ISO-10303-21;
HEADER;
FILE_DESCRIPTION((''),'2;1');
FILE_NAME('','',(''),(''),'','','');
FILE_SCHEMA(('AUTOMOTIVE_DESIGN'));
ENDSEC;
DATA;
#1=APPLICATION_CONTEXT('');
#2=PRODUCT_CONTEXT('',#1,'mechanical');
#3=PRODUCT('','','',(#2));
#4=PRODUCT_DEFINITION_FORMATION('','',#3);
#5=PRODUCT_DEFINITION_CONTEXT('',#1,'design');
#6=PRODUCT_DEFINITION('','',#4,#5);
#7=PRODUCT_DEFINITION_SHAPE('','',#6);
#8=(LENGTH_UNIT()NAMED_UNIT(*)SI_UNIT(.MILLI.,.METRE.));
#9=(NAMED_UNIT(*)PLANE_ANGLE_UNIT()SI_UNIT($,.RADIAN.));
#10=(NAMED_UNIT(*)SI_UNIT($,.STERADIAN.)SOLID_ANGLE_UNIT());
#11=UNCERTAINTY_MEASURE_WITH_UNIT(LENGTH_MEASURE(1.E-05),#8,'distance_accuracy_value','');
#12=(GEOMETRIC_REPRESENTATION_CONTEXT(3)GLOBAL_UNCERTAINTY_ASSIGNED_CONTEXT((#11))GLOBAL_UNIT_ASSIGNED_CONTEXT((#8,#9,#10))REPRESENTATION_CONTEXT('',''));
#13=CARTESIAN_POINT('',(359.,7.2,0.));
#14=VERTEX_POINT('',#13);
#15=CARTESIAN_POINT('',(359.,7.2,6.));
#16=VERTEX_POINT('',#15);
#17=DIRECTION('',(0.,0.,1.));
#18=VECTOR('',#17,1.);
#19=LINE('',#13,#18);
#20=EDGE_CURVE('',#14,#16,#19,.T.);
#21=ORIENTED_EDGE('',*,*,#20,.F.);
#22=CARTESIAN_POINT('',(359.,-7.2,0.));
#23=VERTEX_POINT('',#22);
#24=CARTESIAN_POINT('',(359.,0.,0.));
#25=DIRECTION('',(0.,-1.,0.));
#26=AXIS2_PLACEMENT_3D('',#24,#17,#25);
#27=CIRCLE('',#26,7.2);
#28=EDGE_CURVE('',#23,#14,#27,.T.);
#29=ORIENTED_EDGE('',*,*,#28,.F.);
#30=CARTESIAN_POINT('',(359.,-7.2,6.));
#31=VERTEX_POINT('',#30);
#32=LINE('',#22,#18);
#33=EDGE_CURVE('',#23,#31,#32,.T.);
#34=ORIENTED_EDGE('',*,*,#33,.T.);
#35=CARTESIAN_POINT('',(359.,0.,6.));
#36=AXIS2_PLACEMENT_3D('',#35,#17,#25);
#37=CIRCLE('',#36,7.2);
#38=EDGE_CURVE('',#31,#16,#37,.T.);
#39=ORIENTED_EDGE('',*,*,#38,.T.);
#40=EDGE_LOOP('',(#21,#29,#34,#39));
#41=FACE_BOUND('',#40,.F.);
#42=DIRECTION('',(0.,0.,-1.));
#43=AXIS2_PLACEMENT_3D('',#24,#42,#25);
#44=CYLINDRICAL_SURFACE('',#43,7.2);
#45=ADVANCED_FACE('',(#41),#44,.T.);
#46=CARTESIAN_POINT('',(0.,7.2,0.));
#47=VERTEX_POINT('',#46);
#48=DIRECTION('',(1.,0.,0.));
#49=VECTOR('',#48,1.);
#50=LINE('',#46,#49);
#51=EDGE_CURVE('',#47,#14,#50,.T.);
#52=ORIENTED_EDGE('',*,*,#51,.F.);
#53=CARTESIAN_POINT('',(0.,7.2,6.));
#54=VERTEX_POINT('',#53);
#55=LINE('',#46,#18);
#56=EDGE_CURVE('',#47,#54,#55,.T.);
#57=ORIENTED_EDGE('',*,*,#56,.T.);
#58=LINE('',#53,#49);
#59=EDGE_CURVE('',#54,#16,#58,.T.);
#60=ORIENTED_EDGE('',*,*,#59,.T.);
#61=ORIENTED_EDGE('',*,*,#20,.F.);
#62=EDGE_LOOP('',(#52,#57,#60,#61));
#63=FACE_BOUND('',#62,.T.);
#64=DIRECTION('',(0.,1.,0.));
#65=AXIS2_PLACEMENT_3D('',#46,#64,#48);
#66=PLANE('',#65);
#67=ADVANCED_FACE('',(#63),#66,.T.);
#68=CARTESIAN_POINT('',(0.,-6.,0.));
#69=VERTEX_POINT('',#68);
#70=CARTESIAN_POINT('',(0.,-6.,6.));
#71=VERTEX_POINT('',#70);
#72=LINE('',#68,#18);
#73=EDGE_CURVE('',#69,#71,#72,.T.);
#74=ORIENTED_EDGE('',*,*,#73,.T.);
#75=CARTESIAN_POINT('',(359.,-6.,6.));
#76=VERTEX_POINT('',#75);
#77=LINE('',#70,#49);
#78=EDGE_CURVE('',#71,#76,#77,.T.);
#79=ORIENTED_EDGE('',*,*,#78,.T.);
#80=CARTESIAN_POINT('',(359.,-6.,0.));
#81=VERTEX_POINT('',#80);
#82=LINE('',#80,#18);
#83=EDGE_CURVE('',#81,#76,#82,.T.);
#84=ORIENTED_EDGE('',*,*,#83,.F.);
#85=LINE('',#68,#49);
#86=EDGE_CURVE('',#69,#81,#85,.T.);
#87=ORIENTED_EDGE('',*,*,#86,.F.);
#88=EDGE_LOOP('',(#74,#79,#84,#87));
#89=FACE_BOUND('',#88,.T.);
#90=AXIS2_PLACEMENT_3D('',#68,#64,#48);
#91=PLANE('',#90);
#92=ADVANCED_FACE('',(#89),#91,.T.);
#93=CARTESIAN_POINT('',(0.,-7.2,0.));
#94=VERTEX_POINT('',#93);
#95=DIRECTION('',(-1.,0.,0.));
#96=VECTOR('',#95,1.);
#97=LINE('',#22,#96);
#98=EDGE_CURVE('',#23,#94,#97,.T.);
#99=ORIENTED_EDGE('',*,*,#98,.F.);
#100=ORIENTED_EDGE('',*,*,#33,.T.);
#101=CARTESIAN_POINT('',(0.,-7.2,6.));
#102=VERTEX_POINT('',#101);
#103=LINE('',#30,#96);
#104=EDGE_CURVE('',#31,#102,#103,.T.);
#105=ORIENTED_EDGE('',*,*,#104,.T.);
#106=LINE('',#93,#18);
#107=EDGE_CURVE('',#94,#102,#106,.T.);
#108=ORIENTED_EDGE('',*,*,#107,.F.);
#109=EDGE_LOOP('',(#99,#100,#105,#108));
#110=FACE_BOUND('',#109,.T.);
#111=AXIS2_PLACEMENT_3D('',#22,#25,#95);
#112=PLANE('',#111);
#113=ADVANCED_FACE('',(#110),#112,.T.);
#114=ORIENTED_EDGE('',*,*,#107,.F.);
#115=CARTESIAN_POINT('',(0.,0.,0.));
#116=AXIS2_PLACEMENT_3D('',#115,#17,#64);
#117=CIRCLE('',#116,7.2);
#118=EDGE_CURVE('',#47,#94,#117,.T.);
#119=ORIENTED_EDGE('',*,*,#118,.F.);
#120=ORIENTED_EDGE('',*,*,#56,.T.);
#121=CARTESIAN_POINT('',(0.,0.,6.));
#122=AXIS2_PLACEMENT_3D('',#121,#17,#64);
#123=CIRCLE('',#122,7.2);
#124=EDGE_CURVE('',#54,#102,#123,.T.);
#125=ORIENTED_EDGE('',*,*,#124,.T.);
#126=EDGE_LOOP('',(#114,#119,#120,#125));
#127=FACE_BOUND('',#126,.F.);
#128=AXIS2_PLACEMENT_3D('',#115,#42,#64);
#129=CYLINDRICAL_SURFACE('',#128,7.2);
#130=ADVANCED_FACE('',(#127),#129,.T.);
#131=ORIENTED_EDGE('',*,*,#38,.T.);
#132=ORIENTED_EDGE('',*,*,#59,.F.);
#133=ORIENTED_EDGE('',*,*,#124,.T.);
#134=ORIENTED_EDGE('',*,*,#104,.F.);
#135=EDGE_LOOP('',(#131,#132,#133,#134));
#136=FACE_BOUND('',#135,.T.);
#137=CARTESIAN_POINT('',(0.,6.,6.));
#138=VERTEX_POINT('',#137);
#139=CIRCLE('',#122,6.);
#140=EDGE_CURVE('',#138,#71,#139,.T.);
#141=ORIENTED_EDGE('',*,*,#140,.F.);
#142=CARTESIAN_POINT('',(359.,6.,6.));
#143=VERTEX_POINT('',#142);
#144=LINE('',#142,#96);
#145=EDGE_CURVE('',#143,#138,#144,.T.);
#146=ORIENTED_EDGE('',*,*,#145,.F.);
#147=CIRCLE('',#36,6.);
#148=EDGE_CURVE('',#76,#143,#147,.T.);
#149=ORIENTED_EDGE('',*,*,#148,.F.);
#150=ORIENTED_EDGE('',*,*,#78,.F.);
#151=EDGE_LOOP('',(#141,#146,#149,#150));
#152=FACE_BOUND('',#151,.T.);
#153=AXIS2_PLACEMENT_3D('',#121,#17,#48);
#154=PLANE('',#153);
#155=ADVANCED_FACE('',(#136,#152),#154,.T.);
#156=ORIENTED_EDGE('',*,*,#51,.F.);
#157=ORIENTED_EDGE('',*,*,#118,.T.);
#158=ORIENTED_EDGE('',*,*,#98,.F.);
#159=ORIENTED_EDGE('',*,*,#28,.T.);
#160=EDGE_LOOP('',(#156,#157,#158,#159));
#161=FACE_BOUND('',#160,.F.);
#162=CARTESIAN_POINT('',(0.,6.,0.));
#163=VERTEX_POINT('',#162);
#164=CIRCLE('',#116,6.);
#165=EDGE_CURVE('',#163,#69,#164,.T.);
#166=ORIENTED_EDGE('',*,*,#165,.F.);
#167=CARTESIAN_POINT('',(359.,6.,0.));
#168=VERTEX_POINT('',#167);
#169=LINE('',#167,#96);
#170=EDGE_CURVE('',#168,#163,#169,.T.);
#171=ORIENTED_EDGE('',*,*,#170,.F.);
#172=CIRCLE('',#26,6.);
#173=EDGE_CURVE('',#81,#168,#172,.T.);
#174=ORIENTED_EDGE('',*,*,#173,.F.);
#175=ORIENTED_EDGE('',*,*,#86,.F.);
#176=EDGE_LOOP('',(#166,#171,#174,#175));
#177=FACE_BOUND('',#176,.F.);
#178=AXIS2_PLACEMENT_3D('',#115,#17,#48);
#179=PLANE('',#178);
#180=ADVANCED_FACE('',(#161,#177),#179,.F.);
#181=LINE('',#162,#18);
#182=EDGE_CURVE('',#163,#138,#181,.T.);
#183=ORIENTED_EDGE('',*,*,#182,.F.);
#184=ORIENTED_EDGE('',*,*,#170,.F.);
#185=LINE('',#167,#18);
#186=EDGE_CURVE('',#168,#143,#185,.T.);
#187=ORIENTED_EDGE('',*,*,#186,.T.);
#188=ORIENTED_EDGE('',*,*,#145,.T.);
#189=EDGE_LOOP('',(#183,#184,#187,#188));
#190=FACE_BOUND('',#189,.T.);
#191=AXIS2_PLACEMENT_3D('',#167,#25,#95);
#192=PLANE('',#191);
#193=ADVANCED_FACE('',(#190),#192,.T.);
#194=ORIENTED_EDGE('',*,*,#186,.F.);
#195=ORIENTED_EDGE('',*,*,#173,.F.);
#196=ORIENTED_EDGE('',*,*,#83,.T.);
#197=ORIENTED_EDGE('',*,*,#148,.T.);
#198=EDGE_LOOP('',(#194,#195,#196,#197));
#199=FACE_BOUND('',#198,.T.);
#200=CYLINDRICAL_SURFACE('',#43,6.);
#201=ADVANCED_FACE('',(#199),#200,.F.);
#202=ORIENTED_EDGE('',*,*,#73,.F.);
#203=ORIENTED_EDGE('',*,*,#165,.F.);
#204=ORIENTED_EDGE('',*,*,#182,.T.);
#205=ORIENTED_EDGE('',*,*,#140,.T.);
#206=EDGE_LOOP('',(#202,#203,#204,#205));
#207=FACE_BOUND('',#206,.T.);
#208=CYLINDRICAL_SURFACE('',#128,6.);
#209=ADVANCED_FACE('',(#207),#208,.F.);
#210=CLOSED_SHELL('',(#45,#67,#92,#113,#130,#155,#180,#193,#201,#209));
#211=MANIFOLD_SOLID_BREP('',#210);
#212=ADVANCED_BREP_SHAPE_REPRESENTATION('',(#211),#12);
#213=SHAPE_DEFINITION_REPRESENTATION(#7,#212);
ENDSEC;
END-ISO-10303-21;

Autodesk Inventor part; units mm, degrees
ref_plane "YZ Plane" through (0, 0, 0) normal (1, 0, 0) x (0, 1, 0)
ref_plane "XZ Plane" through (0, 0, 0) normal (0, 1, 0) x (-1, 0, 0)
ref_plane "XY Plane" through (0, 0, 0) normal (0, 0, 1) x (1, 0, 0)
sketch "Sketch1" plane through (0, 0, 0) normal (0, 0, 1) x (1, 0, 0)
  arc A0 (0, 6) -> (0, -6) centre (0, 0) ccw
  arc A1 (359, -6) -> (359, 6) centre (359, 0) ccw
  line L0 (0, -6) -> (359, -6)
  line L1 (359, 6) -> (0, 6)
  line L2 (0, 7.2) -> (359, 7.2)
  arc A2 (359, -7.2) -> (359, 7.2) centre (359, 0) ccw
  line L3 (359, -7.2) -> (0, -7.2)
  arc A3 (0, 7.2) -> (0, -7.2) centre (0, 0) ccw
  dimension "d0" = 12
  dimension "d2" = 12
  dimension "d3" = 359
  dimension "d4" = 1.2
extrude "Extrusion1" add sketch "Sketch1" along normal blind 6
properties part number "gt2Belt760"
